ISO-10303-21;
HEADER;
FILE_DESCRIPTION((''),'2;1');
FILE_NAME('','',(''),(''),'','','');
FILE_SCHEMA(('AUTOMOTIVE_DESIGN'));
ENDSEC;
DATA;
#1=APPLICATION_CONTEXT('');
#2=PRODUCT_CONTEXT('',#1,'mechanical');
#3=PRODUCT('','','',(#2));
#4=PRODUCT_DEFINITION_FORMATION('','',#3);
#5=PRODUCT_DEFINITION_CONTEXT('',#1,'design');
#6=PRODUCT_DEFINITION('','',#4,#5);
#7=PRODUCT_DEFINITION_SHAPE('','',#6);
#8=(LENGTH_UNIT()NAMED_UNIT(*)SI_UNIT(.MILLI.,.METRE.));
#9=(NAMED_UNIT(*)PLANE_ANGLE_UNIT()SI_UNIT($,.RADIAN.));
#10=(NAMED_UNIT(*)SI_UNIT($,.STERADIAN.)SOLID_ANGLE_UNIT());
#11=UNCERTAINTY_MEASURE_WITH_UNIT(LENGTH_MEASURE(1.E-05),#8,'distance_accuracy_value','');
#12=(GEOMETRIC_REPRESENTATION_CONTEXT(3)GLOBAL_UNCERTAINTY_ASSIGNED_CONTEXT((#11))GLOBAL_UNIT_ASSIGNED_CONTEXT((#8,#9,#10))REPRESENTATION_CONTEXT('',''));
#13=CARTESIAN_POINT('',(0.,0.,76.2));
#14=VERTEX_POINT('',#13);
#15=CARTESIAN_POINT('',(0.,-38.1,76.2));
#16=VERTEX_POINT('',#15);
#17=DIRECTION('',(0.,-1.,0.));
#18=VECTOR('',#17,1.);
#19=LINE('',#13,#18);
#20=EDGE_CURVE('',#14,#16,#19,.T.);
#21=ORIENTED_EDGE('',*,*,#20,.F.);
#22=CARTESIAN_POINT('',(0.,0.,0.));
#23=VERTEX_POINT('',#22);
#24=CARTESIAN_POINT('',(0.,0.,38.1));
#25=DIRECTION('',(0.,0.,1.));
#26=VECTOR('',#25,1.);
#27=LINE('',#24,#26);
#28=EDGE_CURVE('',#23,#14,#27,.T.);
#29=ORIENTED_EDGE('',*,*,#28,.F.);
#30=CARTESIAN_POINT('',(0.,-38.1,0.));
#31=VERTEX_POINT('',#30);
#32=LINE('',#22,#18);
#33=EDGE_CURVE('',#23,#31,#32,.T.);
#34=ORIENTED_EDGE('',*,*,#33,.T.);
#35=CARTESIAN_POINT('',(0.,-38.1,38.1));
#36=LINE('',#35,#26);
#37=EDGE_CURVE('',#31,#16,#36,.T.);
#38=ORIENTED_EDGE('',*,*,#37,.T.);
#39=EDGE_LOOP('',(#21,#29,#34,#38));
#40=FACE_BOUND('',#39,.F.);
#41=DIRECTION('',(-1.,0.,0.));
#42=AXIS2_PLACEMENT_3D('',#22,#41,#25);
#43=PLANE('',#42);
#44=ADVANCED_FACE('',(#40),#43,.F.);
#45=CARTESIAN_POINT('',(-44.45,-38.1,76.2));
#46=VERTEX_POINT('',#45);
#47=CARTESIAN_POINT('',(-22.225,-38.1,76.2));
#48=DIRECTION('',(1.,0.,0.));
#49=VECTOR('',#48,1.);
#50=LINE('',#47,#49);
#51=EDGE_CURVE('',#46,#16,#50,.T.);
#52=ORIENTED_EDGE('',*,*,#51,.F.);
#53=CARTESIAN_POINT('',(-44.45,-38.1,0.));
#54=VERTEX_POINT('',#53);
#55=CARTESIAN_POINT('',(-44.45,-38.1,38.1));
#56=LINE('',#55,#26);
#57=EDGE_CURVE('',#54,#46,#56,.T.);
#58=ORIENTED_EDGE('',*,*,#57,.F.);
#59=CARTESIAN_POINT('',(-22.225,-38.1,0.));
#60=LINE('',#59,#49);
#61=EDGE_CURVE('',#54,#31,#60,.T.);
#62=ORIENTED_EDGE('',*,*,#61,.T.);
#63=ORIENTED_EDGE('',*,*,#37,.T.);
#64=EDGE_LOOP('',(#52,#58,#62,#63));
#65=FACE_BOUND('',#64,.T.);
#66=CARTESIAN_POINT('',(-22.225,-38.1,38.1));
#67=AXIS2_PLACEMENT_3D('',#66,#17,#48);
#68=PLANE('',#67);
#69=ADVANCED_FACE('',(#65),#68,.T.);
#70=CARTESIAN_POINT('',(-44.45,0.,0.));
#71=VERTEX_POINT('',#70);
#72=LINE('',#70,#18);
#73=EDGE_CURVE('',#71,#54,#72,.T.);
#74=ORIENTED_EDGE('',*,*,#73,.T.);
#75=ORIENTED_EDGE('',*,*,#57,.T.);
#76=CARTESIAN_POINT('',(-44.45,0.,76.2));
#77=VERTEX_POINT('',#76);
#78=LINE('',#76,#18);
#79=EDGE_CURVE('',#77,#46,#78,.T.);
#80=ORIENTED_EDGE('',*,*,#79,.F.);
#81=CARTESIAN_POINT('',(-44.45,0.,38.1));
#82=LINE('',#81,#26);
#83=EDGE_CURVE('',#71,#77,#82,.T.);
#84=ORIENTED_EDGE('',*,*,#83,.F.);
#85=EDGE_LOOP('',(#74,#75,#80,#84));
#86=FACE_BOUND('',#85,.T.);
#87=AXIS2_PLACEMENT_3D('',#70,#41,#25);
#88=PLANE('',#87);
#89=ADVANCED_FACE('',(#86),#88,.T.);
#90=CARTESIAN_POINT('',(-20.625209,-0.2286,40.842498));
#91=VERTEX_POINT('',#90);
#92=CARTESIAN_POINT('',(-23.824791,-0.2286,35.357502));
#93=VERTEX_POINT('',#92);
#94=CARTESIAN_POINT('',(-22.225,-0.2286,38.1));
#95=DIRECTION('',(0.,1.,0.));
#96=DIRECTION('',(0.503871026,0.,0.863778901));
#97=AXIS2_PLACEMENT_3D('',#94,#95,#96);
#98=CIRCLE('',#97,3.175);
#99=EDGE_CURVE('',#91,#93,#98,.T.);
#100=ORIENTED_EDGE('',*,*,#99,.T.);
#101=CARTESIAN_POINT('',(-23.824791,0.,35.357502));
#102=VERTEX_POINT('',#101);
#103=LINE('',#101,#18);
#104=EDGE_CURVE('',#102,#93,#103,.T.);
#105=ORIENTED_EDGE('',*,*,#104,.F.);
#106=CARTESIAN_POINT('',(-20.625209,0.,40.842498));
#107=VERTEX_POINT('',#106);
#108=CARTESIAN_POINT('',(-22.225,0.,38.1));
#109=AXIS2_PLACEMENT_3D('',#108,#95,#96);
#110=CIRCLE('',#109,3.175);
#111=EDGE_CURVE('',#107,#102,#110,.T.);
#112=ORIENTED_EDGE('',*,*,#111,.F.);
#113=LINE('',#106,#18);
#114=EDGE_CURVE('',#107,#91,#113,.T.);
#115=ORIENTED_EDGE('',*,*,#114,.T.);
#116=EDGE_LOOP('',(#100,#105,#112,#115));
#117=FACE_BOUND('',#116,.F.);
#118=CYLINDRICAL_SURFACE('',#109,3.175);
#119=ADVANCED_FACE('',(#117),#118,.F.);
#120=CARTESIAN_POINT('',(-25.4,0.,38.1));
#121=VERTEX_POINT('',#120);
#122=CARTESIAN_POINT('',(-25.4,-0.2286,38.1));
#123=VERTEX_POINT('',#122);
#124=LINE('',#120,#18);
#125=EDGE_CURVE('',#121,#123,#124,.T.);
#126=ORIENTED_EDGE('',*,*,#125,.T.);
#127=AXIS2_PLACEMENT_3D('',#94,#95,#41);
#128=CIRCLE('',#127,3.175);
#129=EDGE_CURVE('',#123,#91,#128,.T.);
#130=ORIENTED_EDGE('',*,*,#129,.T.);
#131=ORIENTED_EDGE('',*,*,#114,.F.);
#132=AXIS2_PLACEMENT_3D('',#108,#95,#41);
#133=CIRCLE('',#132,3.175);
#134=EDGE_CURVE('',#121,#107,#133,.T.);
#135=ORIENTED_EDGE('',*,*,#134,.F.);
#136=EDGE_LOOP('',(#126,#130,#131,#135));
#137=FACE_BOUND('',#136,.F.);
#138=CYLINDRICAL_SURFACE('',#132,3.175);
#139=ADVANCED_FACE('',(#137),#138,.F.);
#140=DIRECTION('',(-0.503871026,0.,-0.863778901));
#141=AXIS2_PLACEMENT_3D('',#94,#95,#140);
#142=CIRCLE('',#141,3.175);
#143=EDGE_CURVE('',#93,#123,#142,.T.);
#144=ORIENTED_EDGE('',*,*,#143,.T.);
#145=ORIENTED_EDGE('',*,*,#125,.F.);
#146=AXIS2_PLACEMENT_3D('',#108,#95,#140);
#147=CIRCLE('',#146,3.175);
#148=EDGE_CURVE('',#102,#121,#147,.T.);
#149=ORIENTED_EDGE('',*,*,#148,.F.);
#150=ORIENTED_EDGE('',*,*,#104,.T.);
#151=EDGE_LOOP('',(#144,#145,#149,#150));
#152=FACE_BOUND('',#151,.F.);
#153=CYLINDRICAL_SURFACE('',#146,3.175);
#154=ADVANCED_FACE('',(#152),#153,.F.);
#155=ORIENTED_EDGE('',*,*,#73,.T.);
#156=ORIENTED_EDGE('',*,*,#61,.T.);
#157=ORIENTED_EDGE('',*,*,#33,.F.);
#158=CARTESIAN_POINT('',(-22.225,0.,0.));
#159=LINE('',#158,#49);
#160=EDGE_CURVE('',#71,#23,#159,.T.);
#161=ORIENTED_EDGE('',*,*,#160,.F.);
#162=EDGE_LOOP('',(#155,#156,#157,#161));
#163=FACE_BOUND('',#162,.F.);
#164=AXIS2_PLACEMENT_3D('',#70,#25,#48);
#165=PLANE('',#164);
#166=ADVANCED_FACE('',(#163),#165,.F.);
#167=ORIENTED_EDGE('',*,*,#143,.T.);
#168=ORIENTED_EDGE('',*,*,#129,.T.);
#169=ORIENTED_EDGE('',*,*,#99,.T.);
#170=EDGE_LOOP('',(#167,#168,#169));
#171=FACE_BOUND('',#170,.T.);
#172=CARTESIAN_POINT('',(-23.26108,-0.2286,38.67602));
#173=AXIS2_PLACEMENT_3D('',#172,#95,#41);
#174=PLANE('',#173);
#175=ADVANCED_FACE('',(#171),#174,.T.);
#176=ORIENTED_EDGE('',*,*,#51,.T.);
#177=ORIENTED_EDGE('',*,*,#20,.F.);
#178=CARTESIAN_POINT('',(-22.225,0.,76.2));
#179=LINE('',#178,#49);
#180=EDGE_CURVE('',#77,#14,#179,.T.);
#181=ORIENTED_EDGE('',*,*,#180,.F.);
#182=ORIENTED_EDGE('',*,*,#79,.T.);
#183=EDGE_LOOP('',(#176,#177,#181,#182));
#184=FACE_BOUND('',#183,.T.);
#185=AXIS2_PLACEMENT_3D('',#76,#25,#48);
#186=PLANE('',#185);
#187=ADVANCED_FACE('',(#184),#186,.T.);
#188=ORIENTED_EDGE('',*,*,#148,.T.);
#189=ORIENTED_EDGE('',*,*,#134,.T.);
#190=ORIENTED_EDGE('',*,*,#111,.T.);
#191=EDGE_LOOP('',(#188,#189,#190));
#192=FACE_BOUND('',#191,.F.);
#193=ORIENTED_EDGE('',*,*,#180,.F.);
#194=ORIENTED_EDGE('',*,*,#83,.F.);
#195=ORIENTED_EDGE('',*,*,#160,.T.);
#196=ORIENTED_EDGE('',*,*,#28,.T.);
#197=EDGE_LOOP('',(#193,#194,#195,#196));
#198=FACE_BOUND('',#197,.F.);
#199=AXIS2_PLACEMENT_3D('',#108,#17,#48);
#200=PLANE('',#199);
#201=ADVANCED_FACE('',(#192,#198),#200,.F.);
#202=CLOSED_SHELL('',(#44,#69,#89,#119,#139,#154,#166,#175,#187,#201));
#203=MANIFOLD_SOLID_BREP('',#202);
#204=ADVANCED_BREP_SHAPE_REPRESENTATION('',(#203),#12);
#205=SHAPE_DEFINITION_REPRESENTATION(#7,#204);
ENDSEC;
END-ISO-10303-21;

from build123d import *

# Parameters (mm, degrees)
F0_W     = 44.45
F0_H     = 76.2
F1_DEPTH = 38.1
F3_DEPTH = 0.2286


with BuildPart() as f1:
    # F0 (on Front) → F1 (new body)
    with BuildSketch(Plane.XZ):
        with Locations((-22.225, 38.1)):
            Rectangle(F0_W, F0_H)
    extrude(amount=F1_DEPTH)

    # F2 (on face) → F3 (cut)
    with BuildSketch(Plane(origin=(0, 0, 0), x_dir=(-1, 0, 0), z_dir=(0, 1, 0))):
        with BuildLine():
            ThreePointArc((25.4, 38.1), (23.8063428065, 40.8531763344), (20.625209494, 40.8424980104))
            Line((20.625209494, 40.8424980104), (23.824790506, 35.3575019896))
            ThreePointArc((23.824790506, 35.3575019896), (24.9781763344, 36.5186571935), (25.4, 38.1))
        make_face()
        with BuildLine():
            Line((23.824790506, 35.3575019896), (20.625209494, 40.8424980104))
            ThreePointArc((20.625209494, 40.8424980104), (19.4825019896, 36.500209494), (23.824790506, 35.3575019896))
        make_face()
    extrude(amount=-F3_DEPTH, mode=Mode.SUBTRACT)


solid = f1.part
